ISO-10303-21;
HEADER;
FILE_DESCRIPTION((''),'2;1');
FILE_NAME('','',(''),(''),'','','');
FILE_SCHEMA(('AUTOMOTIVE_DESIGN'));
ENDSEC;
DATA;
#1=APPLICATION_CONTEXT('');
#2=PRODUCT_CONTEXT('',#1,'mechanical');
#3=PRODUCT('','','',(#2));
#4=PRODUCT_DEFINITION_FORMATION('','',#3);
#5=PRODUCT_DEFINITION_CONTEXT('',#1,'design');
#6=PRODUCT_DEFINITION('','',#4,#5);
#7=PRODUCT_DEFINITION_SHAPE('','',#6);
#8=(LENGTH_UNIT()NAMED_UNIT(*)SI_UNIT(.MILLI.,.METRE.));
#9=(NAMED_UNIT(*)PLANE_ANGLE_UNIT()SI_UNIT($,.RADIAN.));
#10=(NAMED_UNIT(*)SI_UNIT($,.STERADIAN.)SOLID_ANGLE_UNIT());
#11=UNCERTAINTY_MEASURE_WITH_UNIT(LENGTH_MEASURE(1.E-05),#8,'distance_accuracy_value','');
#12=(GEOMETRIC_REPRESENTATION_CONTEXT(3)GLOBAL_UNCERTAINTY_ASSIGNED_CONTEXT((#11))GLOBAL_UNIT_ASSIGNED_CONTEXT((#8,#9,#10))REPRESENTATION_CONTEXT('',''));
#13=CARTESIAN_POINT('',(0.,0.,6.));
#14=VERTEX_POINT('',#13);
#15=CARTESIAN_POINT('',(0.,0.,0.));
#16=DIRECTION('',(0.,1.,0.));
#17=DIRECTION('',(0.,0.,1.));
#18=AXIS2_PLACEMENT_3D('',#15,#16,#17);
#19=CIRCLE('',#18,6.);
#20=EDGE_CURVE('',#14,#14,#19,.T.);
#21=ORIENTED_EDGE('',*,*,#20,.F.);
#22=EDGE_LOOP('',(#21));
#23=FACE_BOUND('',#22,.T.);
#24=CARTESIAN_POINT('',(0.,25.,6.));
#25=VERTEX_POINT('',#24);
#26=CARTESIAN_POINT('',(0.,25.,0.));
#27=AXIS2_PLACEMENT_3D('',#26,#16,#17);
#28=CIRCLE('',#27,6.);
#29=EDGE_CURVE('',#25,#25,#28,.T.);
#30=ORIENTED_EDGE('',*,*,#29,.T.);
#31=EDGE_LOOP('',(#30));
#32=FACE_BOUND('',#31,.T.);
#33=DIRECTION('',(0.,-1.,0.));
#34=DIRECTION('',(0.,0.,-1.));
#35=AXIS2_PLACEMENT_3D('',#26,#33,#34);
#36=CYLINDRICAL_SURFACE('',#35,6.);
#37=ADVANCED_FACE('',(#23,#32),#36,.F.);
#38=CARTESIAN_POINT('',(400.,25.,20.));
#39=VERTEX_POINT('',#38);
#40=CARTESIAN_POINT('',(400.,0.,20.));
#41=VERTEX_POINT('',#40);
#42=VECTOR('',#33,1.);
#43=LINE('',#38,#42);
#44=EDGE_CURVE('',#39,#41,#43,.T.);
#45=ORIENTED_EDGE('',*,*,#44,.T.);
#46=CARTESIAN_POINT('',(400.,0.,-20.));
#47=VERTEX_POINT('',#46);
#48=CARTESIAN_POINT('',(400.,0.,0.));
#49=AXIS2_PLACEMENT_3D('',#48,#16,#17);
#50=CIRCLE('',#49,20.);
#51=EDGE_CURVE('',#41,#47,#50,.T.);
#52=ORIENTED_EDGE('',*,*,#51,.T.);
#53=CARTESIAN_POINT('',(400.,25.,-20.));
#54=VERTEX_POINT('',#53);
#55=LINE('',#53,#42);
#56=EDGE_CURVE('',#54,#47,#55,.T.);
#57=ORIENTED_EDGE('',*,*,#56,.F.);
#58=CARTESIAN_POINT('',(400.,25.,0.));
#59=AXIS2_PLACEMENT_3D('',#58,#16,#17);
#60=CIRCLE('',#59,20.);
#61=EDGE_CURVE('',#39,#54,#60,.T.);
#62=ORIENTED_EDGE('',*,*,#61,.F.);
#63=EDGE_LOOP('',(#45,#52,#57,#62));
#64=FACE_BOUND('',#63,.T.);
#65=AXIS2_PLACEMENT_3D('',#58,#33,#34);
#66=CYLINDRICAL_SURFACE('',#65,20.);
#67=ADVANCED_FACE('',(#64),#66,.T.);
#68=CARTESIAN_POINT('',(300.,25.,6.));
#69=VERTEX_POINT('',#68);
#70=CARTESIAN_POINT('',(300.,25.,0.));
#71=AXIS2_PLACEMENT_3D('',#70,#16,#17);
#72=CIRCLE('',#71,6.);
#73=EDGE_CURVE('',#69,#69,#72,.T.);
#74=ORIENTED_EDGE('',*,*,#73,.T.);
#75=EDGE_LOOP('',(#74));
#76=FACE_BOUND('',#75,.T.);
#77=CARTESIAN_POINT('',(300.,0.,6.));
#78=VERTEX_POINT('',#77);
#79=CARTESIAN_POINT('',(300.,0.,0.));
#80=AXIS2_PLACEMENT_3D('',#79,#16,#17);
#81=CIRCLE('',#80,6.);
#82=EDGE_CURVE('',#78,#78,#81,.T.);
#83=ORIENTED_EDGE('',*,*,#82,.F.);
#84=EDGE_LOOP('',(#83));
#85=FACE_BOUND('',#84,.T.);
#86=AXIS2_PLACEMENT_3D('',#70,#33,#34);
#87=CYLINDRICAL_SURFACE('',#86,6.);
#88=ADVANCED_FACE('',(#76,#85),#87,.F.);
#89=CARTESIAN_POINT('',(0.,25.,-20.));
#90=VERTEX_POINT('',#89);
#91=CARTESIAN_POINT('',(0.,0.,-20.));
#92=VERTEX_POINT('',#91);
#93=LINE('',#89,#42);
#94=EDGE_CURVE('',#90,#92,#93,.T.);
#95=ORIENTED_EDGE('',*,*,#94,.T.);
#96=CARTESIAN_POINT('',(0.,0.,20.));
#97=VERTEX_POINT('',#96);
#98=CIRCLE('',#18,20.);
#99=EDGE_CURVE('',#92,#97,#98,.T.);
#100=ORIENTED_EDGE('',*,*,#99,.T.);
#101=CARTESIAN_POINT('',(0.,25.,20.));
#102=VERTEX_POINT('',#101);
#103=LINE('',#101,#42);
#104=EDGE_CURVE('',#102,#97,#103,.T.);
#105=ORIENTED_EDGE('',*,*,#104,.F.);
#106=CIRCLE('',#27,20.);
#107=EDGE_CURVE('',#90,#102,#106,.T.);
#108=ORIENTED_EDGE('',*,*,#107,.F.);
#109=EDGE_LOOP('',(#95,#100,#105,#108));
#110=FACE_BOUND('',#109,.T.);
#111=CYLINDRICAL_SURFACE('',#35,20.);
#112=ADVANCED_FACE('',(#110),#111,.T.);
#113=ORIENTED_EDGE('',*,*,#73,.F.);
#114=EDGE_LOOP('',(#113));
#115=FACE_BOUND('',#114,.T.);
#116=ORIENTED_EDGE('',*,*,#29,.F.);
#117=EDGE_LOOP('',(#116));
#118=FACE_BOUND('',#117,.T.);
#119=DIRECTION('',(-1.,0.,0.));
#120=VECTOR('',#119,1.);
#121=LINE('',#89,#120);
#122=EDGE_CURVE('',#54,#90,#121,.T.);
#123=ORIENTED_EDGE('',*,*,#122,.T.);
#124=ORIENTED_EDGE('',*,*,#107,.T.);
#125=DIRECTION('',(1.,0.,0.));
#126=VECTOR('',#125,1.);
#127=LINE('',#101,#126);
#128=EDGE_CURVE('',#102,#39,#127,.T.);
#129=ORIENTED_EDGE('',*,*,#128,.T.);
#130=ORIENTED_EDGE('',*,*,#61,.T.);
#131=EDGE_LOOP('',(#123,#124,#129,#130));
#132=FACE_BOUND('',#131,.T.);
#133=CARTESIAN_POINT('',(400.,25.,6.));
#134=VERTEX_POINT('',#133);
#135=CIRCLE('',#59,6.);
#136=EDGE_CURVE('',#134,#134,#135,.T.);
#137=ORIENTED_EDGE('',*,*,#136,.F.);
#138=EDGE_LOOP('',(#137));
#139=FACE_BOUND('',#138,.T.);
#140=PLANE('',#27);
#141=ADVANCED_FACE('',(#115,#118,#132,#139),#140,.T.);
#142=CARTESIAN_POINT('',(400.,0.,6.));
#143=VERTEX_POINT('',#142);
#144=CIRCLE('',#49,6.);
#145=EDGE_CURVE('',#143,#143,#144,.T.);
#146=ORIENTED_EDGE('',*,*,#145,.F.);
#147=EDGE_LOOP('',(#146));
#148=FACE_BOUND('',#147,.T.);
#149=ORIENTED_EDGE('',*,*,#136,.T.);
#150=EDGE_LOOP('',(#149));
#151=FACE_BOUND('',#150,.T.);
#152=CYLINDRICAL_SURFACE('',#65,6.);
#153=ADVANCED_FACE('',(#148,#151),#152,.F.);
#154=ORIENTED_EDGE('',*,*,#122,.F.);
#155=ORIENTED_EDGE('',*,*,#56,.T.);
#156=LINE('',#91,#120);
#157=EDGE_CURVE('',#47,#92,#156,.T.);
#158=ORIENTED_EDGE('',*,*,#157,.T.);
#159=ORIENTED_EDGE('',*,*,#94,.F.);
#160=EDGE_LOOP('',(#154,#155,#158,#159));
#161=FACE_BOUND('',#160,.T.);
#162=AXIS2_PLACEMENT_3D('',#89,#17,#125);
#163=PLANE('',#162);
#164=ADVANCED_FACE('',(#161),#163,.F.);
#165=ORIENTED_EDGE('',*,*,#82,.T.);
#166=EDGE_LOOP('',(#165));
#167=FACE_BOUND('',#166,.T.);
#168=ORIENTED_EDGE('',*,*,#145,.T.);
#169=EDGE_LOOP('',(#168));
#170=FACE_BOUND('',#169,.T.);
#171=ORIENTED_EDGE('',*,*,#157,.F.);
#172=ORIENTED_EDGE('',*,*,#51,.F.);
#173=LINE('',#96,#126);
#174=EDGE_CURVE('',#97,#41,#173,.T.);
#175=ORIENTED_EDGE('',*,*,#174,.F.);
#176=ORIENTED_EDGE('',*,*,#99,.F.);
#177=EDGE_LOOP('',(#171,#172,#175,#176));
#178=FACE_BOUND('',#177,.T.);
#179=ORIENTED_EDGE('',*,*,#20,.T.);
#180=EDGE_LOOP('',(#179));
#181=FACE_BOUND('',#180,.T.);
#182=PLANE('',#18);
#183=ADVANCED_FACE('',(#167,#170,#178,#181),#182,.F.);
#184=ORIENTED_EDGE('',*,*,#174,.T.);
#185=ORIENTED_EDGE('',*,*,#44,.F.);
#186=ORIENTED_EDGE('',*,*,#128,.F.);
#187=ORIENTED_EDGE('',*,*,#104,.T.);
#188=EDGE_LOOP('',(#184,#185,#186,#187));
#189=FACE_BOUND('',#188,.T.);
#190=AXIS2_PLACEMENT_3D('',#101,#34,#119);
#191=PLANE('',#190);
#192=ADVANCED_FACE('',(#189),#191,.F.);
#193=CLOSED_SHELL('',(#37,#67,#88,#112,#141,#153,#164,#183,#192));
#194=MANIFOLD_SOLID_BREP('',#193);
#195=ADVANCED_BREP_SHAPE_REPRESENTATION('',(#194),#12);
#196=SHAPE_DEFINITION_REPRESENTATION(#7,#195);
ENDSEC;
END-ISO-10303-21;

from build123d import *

# Parameters (mm, degrees)
SKETCH1_R           = 6
BOSS_EXTRUDE1_DEPTH = 25


with BuildPart() as part:
    # Sketch1 → Boss-Extrude1 (new body)
    with BuildSketch(Plane(origin=(0, 0, 0), x_dir=(1, 0, 0), z_dir=(0, 1, 0))):
        with BuildLine():
            Line((0, 20), (400, 20))
            ThreePointArc((400, 20), (420, 0), (400, -20))
            Line((400, -20), (0, -20))
            ThreePointArc((0, -20), (-20, 0), (0, 20))
        make_face()
        with Locations(Location((300, 0, 0), (0, 0, 270))):
            Circle(SKETCH1_R, mode=Mode.SUBTRACT)
        with Locations(Location((400, 0, 0), (0, 0, 270))):
            Circle(SKETCH1_R, mode=Mode.SUBTRACT)
        with Locations(Location((0, 0, 0), (0, 0, 270))):
            Circle(SKETCH1_R, mode=Mode.SUBTRACT)
    extrude(amount=BOSS_EXTRUDE1_DEPTH)


solid = part.part
